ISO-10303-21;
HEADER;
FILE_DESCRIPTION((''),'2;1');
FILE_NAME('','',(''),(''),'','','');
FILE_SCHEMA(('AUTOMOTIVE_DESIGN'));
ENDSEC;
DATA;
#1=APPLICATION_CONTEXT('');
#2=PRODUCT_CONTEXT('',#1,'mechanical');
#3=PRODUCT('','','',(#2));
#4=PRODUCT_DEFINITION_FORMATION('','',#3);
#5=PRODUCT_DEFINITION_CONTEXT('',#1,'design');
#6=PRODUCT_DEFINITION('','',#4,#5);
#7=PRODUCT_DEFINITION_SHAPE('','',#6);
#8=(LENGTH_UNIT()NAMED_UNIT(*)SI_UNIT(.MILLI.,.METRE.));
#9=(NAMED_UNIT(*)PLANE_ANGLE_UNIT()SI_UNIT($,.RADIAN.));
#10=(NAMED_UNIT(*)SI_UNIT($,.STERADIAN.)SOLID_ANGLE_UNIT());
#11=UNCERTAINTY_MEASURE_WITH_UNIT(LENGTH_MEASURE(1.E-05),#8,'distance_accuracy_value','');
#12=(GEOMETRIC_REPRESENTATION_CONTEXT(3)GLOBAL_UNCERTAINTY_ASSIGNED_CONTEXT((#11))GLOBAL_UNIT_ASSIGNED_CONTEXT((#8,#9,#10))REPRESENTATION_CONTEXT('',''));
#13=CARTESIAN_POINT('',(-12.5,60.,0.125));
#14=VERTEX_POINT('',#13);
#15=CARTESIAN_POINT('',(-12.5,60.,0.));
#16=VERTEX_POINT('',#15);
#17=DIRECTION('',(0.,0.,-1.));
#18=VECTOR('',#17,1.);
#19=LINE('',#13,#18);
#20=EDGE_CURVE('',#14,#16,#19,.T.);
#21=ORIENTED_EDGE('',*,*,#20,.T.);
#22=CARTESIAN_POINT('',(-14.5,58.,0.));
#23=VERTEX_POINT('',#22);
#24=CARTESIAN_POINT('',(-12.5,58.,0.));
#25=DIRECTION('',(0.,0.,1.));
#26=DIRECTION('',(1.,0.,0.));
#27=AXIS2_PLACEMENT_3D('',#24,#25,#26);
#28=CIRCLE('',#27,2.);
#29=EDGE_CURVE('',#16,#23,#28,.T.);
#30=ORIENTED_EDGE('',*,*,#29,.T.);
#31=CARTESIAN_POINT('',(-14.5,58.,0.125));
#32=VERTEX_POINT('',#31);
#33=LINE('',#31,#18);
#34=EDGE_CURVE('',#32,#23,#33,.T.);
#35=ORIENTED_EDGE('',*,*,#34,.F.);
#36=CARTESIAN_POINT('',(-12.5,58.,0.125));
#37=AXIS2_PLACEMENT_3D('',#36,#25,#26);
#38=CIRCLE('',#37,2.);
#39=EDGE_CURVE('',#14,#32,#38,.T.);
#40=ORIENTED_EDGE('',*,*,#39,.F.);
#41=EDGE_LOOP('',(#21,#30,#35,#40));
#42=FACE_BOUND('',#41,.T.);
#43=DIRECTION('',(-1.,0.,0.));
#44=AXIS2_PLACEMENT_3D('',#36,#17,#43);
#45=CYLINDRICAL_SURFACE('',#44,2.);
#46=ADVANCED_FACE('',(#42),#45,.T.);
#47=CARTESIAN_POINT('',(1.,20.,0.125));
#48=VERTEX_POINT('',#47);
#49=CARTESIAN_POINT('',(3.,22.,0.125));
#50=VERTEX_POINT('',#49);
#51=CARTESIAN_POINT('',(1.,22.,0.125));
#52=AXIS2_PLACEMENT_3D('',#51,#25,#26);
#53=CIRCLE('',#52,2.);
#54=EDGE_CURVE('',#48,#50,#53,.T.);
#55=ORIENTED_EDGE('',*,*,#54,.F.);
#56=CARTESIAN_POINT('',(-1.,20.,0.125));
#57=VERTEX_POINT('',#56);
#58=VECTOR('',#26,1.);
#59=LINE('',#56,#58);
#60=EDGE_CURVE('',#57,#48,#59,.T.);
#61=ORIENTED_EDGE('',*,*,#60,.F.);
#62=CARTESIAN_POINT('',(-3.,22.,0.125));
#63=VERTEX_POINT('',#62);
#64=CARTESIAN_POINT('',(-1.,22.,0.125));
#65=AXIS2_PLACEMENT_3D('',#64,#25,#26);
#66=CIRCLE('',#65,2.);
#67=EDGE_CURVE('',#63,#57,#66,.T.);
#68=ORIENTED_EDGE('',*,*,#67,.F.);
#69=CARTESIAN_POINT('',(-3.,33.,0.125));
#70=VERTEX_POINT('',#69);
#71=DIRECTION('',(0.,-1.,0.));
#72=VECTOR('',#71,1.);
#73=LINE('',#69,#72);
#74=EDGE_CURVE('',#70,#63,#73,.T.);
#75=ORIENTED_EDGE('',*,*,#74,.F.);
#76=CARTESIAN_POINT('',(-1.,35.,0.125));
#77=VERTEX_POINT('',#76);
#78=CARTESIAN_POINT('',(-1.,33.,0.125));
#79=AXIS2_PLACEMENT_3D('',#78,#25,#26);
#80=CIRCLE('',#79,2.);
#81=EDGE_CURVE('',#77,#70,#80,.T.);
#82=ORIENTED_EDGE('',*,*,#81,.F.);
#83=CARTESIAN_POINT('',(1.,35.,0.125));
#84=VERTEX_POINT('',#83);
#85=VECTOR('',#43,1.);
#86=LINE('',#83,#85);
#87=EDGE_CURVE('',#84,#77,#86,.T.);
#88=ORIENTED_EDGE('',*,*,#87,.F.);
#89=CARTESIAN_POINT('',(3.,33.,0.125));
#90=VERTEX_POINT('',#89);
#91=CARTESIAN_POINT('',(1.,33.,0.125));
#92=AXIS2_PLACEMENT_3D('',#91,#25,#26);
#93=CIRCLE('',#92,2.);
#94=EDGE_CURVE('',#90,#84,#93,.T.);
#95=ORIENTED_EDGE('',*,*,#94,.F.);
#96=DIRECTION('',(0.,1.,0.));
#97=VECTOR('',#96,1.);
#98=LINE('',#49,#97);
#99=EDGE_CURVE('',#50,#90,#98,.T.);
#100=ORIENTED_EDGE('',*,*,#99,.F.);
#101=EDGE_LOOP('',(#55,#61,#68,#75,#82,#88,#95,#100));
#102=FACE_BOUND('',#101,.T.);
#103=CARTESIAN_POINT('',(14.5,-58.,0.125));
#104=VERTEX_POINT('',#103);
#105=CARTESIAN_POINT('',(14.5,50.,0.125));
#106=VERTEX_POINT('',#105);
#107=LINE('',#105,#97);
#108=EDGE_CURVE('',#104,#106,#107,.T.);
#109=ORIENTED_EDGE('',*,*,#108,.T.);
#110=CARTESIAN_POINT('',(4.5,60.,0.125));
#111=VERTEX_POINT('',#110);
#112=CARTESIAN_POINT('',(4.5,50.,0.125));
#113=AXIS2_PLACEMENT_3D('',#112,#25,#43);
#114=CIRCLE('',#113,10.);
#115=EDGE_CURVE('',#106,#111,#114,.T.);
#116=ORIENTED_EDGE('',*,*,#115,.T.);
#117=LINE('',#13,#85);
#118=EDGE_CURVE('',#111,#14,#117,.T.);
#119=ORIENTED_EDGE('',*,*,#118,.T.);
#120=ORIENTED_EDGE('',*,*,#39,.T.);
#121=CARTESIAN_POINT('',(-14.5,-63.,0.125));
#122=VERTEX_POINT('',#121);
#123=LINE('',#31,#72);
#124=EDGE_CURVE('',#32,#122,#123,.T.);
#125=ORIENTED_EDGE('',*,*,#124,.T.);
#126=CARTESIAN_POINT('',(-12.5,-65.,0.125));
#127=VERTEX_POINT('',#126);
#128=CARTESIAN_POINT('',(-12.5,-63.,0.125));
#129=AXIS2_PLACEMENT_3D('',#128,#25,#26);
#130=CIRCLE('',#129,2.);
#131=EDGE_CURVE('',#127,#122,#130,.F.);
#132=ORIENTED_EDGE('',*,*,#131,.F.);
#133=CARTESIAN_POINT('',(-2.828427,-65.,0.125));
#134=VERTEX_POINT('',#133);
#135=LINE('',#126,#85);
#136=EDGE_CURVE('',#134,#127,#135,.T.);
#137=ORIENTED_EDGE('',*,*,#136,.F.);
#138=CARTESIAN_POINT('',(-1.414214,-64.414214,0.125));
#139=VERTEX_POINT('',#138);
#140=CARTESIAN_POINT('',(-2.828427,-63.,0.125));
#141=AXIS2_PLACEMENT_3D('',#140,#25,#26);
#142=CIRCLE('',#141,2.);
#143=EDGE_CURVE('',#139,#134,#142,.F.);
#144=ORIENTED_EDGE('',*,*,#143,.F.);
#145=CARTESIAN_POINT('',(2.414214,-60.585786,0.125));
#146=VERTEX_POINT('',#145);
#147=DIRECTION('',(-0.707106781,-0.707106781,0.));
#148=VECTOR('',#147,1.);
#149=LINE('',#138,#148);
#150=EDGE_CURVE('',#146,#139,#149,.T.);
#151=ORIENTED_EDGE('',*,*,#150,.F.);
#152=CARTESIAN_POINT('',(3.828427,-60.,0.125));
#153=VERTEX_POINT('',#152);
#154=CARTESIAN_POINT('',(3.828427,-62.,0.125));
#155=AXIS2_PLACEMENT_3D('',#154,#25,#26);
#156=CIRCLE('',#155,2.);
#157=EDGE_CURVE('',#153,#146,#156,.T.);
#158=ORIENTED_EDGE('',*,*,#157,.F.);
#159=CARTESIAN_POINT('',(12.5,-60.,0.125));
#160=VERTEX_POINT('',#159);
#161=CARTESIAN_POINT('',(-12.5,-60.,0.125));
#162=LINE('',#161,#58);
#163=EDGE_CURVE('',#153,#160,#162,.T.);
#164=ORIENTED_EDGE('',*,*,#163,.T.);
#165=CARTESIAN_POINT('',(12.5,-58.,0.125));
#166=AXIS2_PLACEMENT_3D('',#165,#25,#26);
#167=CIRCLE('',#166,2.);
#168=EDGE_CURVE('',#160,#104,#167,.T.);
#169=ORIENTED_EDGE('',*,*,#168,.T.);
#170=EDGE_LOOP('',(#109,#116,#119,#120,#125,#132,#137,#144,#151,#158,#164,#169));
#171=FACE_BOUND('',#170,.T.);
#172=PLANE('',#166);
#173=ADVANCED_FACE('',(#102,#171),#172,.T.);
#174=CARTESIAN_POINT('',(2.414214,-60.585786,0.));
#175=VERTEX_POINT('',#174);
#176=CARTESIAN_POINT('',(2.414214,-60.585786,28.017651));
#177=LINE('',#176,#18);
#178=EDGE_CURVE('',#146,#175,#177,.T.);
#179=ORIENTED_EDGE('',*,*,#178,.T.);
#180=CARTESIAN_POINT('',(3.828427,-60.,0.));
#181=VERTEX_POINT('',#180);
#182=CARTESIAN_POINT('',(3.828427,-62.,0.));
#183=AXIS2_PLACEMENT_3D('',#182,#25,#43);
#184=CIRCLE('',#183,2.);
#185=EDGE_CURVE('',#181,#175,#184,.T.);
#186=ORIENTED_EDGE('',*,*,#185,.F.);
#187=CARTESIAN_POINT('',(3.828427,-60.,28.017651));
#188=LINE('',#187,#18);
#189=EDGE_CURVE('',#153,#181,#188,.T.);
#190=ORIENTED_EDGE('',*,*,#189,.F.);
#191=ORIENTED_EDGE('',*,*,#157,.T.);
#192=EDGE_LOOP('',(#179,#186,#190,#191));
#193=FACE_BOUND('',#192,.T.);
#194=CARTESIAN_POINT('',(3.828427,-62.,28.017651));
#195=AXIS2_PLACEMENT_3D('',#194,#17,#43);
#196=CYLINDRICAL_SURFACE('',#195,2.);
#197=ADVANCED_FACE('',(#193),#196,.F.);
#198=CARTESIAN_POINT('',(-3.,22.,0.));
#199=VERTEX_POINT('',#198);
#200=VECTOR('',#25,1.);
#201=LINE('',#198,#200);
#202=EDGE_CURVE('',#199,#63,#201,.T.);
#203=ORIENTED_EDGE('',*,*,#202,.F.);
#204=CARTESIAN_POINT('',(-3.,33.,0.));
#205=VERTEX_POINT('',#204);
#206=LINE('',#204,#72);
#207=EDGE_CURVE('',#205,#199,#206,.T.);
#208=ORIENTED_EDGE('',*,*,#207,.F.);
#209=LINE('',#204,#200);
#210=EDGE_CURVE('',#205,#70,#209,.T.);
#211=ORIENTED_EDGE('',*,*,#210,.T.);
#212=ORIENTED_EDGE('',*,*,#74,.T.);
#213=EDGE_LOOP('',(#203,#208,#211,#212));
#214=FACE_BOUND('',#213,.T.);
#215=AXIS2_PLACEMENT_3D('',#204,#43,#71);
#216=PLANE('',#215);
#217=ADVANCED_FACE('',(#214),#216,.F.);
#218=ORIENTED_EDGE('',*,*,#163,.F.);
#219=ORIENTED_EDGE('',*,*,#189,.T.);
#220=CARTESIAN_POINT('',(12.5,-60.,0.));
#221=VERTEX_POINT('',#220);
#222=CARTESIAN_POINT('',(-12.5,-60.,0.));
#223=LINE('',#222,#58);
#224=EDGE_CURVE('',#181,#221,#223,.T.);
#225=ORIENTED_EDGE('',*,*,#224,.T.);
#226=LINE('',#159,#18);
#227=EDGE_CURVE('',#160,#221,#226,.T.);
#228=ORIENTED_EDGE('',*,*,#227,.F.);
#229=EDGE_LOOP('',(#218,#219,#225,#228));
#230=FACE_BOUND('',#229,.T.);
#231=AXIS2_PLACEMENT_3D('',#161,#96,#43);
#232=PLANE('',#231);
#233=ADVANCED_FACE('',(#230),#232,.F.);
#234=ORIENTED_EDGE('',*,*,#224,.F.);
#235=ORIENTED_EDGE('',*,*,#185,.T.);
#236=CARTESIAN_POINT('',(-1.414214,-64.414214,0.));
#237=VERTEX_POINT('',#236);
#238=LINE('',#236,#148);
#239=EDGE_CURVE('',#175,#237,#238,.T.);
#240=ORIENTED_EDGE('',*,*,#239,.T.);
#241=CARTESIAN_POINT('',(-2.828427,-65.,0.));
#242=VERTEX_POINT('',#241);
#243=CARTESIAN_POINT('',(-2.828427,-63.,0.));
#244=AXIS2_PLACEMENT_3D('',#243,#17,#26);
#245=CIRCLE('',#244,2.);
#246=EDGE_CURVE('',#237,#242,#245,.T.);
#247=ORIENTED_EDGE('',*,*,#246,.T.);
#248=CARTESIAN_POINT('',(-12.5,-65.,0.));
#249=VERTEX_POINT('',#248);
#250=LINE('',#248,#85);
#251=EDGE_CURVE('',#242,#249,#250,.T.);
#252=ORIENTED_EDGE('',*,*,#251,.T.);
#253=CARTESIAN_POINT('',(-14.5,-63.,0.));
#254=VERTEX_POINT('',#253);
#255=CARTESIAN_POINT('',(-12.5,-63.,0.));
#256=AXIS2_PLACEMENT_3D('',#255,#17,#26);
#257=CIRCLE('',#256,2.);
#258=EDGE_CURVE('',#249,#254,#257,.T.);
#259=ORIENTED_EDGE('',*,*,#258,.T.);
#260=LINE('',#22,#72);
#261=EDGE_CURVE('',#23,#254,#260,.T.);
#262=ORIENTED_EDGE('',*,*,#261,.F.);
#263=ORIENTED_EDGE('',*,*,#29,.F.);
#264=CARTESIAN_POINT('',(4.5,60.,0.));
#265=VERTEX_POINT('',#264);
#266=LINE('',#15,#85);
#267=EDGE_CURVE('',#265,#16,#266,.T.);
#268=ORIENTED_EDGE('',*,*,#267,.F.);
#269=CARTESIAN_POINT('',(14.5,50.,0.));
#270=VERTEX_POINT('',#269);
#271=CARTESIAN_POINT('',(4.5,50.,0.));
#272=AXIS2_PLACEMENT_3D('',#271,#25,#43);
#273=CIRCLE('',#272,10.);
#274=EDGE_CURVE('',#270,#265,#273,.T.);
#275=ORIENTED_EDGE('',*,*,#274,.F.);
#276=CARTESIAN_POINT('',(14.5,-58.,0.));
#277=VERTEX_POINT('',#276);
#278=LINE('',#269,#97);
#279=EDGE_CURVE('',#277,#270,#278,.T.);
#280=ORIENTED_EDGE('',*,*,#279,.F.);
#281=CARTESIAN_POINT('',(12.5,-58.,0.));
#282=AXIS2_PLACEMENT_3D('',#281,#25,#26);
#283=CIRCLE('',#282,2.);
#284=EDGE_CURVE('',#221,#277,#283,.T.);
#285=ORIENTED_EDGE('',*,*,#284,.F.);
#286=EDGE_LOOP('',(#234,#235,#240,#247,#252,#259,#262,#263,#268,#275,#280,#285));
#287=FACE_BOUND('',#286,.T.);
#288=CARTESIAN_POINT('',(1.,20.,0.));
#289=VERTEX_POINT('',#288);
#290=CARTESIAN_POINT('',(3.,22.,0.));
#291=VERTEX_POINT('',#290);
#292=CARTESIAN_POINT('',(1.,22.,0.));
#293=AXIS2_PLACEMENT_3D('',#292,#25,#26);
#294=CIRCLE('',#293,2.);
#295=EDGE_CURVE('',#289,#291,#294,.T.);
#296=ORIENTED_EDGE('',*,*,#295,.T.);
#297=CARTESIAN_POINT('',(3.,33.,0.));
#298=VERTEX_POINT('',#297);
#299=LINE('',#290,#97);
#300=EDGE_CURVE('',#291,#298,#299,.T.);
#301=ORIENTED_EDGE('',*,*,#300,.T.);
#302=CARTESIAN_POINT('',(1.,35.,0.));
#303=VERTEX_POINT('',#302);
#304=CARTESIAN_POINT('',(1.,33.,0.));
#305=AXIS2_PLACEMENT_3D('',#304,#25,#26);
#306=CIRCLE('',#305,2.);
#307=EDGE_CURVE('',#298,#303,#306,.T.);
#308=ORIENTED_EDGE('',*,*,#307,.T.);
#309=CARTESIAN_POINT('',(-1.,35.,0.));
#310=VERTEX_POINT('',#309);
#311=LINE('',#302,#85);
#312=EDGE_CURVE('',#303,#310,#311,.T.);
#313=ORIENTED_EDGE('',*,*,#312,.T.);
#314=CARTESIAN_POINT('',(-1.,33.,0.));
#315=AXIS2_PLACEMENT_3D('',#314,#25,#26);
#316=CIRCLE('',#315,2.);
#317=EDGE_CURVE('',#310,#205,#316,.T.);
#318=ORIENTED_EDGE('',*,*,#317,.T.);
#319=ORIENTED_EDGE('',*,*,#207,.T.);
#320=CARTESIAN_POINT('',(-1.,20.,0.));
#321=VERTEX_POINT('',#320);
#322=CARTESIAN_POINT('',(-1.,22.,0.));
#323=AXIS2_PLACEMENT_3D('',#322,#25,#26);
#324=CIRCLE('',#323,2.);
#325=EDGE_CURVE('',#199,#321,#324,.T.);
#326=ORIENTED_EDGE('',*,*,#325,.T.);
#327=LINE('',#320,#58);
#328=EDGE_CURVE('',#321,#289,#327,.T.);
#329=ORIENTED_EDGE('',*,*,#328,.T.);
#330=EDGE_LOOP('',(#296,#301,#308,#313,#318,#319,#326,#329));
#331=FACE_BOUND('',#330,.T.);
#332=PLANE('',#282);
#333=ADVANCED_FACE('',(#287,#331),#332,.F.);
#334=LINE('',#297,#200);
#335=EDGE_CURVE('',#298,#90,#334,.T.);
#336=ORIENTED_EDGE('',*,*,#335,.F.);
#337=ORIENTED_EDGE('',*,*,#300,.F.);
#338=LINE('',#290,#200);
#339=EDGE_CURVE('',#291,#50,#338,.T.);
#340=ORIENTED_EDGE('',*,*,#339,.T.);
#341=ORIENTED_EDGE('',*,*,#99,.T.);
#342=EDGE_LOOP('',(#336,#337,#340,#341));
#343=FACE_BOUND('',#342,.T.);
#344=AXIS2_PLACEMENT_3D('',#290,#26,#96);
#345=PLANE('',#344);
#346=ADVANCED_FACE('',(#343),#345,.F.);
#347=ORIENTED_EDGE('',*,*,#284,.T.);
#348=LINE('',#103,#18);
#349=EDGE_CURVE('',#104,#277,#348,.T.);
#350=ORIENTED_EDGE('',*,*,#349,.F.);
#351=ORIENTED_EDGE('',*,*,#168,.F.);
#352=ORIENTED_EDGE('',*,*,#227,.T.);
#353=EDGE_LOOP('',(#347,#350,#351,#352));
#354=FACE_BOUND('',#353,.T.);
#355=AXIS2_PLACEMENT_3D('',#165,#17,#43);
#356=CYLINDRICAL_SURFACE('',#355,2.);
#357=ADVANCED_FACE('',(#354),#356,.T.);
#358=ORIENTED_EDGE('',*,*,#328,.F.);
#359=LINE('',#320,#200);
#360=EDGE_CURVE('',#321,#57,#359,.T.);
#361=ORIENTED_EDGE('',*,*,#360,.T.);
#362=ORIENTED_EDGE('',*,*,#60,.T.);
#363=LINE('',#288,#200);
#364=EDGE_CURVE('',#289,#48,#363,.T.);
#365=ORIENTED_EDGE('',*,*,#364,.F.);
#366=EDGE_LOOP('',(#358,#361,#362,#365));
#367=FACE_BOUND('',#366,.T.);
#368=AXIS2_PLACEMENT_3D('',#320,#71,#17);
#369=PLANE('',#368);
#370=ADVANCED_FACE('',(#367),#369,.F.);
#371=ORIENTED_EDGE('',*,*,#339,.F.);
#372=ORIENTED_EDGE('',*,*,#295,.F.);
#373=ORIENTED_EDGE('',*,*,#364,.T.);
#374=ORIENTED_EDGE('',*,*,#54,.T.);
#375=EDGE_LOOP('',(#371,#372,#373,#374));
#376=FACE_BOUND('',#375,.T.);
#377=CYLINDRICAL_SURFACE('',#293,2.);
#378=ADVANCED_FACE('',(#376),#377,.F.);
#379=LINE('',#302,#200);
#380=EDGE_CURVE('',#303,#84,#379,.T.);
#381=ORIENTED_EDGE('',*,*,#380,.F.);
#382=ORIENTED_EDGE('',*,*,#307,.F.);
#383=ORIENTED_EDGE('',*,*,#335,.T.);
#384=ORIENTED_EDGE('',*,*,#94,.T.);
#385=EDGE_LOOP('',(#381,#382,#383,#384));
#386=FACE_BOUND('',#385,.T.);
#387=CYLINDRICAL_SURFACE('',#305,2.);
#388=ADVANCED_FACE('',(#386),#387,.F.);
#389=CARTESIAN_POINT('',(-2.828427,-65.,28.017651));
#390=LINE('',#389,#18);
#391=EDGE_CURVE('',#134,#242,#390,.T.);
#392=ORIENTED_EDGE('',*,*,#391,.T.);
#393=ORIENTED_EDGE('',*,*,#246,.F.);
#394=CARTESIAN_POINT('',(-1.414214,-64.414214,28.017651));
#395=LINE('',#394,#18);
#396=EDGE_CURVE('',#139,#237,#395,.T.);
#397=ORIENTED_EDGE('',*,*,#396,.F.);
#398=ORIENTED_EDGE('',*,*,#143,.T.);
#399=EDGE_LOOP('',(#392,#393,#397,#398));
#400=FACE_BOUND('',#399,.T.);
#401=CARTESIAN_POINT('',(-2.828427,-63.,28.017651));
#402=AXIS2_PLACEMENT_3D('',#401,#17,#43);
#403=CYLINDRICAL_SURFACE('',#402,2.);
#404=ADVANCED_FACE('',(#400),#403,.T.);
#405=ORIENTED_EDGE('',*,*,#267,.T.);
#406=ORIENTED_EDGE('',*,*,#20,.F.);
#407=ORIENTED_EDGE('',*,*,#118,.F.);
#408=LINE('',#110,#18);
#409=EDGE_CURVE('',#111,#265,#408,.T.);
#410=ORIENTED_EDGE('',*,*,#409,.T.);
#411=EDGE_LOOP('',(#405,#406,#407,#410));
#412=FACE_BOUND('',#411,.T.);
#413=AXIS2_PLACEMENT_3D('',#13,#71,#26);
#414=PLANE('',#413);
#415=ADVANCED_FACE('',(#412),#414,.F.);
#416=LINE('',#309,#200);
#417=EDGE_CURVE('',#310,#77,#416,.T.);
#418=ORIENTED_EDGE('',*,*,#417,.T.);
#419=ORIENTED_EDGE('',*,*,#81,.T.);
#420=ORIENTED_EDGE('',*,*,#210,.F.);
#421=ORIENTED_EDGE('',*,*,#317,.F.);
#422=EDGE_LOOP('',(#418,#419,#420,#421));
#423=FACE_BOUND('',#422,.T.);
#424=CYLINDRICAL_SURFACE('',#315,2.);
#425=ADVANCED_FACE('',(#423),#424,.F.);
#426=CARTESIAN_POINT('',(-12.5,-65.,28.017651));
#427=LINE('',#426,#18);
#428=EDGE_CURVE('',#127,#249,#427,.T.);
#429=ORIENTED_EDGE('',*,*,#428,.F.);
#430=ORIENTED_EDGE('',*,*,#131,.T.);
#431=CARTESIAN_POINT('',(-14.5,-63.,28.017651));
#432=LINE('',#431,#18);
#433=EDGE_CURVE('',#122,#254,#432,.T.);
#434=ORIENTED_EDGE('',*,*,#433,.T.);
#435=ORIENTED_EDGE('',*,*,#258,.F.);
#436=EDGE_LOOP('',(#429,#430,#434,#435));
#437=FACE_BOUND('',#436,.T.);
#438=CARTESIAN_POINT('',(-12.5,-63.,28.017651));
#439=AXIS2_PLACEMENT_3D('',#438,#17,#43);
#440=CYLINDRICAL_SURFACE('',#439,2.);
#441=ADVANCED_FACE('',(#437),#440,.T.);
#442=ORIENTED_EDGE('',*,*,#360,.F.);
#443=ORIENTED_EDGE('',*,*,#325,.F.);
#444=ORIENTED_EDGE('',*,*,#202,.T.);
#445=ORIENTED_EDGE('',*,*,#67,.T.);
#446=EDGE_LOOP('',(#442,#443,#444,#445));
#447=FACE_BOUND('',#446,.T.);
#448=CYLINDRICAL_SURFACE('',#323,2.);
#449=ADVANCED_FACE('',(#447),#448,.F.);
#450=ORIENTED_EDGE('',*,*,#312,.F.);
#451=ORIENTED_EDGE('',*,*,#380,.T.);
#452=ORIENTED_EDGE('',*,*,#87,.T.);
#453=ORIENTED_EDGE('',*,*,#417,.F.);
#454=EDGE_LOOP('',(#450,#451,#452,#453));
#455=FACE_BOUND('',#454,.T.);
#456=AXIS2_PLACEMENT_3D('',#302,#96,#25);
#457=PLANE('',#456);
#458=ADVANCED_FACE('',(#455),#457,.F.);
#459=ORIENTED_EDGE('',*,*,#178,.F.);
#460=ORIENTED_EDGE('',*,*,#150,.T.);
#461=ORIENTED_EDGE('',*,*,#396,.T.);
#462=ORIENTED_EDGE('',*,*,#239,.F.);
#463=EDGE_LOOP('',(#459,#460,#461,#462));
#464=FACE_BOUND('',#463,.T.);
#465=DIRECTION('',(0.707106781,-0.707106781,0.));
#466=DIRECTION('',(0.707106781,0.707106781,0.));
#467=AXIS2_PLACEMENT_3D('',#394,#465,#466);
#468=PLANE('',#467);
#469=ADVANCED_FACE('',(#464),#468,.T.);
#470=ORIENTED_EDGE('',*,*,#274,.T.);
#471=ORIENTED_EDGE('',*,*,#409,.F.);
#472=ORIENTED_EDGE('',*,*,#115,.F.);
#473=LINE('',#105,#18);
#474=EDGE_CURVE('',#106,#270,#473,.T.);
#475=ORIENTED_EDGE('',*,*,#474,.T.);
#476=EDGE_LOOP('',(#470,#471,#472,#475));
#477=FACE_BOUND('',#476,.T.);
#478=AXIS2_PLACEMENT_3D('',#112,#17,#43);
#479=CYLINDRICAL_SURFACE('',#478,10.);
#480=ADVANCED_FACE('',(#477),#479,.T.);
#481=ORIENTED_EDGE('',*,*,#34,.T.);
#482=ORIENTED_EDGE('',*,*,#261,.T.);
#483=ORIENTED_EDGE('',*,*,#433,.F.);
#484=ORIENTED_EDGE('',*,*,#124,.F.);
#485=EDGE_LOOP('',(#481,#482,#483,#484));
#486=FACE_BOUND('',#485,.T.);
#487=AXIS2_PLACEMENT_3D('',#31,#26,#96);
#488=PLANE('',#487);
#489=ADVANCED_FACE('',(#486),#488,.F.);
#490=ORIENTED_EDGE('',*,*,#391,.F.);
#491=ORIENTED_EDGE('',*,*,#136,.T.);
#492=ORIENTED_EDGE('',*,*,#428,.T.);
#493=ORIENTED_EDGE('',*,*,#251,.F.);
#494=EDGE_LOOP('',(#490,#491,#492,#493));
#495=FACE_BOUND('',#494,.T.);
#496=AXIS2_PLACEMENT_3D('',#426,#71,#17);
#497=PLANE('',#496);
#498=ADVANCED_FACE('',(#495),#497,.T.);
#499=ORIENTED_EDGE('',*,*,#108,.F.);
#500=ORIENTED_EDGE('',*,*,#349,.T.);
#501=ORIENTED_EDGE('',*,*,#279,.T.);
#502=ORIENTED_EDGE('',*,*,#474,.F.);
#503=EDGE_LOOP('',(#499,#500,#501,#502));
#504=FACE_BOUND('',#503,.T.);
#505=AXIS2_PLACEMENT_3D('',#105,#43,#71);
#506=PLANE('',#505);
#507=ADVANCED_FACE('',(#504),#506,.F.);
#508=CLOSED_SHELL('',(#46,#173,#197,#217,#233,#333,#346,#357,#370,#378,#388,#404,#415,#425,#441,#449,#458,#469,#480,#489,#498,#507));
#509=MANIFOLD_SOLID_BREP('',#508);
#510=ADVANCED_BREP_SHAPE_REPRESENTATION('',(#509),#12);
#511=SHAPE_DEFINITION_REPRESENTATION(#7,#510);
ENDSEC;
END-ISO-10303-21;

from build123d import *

# Parameters (mm, degrees)
BOSS_EXTRUDE6_DEPTH = 0.125
BOSS_EXTRUDE7_DEPTH = 0.125
CUT_EXTRUDE2_DEPTH  = 67.597789941


with BuildPart() as part:
    # Sketch9 → Boss-Extrude6 (new body)
    with BuildSketch(Plane.XY):
        with BuildLine():
            Line((-12.5, 60), (4.5, 60))
            ThreePointArc((4.5, 60), (11.571067812, 57.071067812), (14.5, 50))
            Line((14.5, 50), (14.5, -58))
            ThreePointArc((14.5, -58), (13.914213562, -59.414213562), (12.5, -60))
            Line((12.5, -60), (-12.5, -60))
            ThreePointArc((-12.5, -60), (-13.914213562, -59.414213562), (-14.5, -58))
            Line((-14.5, -58), (-14.5, 58))
            ThreePointArc((-14.5, 58), (-13.914213562, 59.414213562), (-12.5, 60))
        make_face()
    extrude(amount=BOSS_EXTRUDE6_DEPTH)

    # Sketch10 → Boss-Extrude7 (add)
    with BuildSketch(Plane(origin=(0, 0, 0), x_dir=(-1, 0, 0), z_dir=(0, 0, -1))):
        with BuildLine():
            Line((14.5, -58), (14.5, -63))
            ThreePointArc((14.5, -63), (13.914213562, -64.414213562), (12.5, -65))
            Line((12.5, -65), (2.828427125, -65))
            ThreePointArc((2.828427125, -65), (2.06306026, -64.847759065), (1.414213562, -64.414213562))
            Line((1.414213562, -64.414213562), (-2.414213562, -60.585786438))
            ThreePointArc((-2.414213562, -60.585786438), (-3.06306026, -60.152240935), (-3.828427125, -60))
            Line((-3.828427125, -60), (-12.5, -60))
            Line((-12.5, -60), (-12.5, -58))
            Line((-12.5, -58), (14.5, -58))
        make_face()
    extrude(amount=-BOSS_EXTRUDE7_DEPTH)

    # Sketch11 → Cut-Extrude2 (cut, through all)
    with BuildSketch(Plane.XY.offset(0.125)):
        with BuildLine():
            Line((-1, 20), (1, 20))
            ThreePointArc((1, 20), (2.414213562, 20.585786438), (3, 22))
            Line((3, 22), (3, 33))
            ThreePointArc((3, 33), (2.414213562, 34.414213562), (1, 35))
            Line((1, 35), (-1, 35))
            ThreePointArc((-1, 35), (-2.414213562, 34.414213562), (-3, 33))
            Line((-3, 33), (-3, 22))
            ThreePointArc((-3, 22), (-2.414213562, 20.585786438), (-1, 20))
        make_face()
    extrude(amount=-CUT_EXTRUDE2_DEPTH, mode=Mode.SUBTRACT)


solid = part.part
